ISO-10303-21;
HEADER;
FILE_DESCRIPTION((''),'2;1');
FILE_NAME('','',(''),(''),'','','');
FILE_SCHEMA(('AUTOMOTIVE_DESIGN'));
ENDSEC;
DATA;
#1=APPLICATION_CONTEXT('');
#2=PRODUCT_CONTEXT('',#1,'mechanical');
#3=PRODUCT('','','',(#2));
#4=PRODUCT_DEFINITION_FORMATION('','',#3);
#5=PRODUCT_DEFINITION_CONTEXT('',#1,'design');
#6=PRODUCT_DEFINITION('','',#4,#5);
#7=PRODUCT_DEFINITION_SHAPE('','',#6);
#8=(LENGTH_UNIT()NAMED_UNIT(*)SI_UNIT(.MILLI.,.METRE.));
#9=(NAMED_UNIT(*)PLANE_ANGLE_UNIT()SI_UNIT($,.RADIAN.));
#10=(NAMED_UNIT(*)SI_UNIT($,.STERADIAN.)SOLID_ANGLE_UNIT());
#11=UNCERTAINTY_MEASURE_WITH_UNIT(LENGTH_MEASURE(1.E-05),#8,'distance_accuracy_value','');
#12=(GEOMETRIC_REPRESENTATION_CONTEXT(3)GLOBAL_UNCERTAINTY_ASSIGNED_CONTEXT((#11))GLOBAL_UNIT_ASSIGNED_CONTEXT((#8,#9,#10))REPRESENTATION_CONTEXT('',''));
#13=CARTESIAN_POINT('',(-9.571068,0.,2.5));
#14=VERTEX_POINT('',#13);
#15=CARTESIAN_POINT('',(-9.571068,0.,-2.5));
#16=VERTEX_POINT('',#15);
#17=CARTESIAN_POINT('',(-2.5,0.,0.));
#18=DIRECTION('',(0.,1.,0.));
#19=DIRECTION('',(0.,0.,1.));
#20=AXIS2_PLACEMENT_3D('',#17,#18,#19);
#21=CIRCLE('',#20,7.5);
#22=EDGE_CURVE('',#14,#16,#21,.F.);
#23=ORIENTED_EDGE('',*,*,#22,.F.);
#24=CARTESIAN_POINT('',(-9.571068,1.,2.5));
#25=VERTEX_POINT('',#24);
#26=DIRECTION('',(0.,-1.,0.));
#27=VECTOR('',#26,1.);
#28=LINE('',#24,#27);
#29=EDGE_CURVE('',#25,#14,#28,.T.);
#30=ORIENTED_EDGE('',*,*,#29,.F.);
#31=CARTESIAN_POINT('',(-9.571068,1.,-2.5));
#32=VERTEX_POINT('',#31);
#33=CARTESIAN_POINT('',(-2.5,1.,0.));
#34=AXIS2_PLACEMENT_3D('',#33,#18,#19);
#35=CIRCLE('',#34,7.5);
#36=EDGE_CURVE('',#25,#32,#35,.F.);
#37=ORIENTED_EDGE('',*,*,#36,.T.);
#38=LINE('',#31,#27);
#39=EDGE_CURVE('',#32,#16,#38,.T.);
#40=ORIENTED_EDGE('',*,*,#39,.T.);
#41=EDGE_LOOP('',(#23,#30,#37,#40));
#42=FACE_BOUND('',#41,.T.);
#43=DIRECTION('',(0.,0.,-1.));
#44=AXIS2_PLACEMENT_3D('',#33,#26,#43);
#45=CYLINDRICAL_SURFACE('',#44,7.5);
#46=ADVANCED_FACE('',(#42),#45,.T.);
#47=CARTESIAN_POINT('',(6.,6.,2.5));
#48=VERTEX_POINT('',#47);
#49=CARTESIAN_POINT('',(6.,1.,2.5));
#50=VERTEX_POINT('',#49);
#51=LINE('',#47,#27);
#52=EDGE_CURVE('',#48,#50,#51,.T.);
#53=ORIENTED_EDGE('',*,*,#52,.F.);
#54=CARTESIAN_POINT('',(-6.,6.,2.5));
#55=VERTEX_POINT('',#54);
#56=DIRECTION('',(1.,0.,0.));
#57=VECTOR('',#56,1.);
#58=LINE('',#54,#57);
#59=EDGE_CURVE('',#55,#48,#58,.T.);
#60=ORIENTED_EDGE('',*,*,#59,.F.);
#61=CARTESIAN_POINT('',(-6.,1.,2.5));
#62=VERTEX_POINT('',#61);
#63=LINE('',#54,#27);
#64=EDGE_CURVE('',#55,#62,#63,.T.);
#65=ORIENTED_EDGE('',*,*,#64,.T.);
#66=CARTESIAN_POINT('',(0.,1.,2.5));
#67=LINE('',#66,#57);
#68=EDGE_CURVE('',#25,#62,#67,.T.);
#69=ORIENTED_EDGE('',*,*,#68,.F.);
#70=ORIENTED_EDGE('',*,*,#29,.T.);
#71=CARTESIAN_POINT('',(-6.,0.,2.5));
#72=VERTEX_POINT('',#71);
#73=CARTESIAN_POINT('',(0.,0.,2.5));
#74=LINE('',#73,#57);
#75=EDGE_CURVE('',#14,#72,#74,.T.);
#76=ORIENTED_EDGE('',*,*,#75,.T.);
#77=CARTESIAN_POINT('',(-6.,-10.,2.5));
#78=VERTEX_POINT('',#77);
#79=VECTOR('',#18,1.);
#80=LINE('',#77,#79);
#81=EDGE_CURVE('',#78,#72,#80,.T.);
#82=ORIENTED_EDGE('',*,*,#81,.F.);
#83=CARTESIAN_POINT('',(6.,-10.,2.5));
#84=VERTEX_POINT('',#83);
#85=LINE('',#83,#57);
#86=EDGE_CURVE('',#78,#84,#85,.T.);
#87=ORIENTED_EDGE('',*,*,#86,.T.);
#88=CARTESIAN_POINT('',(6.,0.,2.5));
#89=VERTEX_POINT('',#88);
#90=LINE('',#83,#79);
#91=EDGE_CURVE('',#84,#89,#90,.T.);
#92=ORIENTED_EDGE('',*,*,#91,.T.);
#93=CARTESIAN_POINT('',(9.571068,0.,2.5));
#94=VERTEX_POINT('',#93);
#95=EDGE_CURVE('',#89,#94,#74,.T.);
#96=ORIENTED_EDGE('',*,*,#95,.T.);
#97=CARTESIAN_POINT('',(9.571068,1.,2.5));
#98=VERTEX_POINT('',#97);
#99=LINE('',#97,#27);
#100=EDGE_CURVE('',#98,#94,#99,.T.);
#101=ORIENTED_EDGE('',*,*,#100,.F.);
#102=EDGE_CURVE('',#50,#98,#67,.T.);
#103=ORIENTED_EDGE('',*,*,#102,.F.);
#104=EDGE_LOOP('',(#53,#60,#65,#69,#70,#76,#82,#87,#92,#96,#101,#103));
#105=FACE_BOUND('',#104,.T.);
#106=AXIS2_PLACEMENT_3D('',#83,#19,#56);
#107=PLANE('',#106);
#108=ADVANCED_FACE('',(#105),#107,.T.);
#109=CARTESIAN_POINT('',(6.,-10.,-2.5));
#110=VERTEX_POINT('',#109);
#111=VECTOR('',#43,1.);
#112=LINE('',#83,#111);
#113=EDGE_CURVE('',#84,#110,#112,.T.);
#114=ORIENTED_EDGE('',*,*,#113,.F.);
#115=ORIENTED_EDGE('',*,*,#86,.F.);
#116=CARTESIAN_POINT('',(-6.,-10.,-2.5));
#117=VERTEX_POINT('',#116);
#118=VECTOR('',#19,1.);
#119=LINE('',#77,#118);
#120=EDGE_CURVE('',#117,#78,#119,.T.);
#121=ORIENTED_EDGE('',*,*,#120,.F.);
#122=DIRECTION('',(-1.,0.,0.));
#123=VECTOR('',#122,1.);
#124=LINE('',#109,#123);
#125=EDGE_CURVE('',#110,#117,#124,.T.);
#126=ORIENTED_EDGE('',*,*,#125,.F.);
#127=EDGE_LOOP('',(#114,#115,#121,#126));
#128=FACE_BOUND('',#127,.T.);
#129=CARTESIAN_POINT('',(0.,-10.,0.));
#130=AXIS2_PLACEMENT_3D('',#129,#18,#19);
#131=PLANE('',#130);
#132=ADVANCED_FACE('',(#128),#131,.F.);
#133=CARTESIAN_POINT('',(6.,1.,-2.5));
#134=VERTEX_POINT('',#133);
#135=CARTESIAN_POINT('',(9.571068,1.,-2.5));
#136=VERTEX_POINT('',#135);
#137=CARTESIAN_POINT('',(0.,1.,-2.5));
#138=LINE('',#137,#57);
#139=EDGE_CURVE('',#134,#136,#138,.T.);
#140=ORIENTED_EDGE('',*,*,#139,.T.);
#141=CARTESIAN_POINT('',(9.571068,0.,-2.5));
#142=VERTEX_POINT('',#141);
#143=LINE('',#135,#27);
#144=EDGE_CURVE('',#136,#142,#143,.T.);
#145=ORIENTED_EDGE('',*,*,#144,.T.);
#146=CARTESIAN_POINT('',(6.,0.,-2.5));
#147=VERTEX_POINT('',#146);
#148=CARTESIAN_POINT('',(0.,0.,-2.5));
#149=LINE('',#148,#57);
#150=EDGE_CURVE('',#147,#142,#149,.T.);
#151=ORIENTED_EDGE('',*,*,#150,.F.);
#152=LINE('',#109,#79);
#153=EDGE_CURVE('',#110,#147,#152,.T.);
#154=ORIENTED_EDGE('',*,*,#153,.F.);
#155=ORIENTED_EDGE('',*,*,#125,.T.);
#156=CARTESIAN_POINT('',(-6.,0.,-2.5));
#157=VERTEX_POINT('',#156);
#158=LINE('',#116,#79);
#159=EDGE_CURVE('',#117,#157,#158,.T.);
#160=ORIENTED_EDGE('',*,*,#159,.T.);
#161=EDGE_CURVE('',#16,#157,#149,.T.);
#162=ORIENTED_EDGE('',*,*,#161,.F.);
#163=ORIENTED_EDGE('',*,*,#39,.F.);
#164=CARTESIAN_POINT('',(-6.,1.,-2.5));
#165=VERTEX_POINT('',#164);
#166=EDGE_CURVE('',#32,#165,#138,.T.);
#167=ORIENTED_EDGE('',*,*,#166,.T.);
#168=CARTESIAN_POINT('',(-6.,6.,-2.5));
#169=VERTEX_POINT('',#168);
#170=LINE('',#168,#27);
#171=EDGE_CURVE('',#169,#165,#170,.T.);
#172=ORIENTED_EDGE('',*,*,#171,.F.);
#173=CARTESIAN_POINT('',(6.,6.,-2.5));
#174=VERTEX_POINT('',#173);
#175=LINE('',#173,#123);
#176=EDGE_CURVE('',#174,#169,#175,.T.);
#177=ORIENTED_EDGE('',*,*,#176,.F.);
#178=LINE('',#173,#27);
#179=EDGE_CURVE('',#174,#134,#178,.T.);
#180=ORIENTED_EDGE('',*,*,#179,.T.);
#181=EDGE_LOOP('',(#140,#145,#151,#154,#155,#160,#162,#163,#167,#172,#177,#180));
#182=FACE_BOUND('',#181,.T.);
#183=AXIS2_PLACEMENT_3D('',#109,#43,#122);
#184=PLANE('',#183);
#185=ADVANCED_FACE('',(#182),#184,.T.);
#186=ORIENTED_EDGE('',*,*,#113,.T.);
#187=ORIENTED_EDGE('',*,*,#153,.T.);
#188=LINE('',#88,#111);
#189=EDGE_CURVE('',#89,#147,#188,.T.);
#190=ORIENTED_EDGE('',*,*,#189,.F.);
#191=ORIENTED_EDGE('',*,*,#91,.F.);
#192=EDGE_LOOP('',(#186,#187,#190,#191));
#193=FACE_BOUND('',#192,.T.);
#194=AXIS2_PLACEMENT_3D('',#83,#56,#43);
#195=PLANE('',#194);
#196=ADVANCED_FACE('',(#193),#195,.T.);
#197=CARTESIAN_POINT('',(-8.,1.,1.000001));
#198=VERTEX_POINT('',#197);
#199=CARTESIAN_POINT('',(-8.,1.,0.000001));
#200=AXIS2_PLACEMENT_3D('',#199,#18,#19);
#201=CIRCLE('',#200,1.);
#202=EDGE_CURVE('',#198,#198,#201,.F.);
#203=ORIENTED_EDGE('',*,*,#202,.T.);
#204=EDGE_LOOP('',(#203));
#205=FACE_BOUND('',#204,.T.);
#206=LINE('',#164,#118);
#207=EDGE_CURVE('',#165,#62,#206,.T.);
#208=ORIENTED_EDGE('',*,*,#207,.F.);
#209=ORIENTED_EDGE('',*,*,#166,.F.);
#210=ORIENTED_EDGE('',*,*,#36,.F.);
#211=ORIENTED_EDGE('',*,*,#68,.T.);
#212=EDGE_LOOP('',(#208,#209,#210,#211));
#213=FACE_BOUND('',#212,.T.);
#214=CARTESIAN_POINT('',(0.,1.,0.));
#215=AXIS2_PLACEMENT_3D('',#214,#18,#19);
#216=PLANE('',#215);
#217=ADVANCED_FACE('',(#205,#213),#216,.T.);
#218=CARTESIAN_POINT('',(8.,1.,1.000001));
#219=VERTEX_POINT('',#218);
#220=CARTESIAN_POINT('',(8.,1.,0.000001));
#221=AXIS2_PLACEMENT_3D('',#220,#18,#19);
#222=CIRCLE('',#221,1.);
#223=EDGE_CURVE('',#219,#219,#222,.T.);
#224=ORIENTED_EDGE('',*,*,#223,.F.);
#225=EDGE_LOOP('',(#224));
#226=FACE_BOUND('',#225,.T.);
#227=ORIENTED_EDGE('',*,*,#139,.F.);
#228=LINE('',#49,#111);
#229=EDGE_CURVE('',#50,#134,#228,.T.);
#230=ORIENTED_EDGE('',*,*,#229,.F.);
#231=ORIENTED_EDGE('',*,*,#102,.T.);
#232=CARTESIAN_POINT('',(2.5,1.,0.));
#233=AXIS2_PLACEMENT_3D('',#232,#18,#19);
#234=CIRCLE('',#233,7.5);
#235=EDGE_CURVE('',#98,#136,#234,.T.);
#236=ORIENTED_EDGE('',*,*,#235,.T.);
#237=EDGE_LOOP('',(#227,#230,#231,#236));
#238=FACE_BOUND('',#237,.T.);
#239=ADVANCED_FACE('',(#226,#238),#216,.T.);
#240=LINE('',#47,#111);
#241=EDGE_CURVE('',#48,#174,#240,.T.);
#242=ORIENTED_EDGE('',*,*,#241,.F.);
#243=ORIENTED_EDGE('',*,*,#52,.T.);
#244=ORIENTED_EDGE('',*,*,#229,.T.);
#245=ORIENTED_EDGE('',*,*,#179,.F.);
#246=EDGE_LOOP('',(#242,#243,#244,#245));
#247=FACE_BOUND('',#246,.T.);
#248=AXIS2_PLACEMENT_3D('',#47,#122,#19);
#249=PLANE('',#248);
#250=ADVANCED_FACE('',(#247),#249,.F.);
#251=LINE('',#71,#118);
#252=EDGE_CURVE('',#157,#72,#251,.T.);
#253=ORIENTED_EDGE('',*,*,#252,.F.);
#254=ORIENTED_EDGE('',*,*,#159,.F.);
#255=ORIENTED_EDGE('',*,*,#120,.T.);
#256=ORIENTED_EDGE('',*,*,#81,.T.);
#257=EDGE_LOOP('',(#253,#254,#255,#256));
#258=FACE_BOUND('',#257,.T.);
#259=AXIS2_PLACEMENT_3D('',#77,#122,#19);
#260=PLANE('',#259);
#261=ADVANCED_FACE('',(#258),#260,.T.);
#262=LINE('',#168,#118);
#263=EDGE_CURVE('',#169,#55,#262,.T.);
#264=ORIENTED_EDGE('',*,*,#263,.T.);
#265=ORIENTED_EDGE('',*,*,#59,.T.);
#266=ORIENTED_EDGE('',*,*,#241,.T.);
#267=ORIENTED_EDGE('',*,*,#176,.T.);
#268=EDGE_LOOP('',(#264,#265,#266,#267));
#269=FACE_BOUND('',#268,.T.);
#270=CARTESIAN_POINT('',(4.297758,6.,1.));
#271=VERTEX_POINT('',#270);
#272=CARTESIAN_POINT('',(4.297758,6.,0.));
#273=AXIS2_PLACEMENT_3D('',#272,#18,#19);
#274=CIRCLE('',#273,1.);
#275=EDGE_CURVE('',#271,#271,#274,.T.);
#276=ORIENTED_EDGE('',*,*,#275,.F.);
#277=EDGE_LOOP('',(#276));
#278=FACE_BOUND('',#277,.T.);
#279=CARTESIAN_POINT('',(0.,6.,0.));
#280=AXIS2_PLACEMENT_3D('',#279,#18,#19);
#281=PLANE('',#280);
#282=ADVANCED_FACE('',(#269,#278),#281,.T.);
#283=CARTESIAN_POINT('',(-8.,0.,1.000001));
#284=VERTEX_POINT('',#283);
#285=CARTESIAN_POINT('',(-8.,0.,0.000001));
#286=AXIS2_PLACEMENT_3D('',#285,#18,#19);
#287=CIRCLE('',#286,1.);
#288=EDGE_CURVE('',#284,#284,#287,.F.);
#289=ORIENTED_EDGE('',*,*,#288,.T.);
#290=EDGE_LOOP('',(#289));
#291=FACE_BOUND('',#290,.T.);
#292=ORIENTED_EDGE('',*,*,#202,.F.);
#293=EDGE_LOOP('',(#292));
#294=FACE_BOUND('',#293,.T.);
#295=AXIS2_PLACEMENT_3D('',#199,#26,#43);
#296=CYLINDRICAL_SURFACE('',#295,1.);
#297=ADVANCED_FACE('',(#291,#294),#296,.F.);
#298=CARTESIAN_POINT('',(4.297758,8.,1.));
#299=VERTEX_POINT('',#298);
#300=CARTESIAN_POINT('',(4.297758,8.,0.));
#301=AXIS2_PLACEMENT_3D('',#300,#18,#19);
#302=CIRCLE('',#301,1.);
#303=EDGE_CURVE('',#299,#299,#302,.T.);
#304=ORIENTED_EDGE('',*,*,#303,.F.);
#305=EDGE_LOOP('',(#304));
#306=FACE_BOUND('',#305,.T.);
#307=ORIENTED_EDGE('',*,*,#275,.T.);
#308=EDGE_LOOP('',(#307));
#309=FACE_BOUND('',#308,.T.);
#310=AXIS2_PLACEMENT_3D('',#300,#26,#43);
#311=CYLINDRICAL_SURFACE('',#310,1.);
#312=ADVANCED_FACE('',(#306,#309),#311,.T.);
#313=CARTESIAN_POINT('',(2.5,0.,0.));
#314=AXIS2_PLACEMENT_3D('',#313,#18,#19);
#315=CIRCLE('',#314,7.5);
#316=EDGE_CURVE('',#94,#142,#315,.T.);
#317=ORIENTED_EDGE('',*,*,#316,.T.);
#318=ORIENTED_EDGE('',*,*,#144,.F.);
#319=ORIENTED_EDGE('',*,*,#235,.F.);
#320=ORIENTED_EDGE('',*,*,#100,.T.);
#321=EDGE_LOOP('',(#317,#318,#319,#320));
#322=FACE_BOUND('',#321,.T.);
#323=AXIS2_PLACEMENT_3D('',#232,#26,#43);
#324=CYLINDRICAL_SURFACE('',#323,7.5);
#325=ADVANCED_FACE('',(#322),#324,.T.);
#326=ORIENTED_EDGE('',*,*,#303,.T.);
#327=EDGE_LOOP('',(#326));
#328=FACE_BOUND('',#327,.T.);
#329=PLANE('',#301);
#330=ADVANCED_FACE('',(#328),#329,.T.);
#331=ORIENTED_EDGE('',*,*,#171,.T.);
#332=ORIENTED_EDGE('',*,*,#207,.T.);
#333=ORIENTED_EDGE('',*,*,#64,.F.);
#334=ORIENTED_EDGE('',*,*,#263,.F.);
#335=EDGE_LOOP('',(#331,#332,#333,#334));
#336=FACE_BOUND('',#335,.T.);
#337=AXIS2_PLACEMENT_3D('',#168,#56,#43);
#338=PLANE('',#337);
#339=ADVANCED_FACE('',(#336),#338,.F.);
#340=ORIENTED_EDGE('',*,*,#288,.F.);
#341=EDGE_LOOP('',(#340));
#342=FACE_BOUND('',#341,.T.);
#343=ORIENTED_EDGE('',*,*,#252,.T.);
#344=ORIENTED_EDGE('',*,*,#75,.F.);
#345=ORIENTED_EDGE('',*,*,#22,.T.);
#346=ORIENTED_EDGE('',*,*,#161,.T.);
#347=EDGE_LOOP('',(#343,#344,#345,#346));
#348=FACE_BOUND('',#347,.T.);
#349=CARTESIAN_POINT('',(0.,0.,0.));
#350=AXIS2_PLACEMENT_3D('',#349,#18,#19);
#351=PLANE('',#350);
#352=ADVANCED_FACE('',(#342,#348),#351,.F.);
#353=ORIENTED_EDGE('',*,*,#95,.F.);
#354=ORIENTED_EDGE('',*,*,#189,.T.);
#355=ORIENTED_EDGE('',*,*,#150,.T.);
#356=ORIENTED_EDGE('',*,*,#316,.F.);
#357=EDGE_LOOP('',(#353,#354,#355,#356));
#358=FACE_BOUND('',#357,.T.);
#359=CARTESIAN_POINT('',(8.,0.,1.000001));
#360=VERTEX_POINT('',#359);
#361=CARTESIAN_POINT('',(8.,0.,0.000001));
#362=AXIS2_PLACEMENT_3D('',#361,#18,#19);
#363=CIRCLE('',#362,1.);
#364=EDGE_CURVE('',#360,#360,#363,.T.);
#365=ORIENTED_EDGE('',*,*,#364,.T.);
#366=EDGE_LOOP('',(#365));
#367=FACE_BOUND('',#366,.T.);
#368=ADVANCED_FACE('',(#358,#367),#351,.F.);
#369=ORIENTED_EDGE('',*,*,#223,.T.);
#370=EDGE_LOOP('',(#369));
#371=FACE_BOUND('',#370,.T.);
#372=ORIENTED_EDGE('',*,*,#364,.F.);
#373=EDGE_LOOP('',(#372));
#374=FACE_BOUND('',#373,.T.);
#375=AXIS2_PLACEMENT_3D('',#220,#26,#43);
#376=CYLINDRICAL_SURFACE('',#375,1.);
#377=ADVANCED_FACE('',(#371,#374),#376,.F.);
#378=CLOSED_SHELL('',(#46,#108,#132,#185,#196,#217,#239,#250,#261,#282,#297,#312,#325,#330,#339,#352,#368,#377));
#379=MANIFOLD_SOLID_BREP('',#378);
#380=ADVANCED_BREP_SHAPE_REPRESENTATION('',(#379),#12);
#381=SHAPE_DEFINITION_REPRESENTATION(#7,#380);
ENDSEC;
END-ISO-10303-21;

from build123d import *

# Parameters (mm, degrees)
SKETCH1_W           = 12
SKETCH1_H           = 5
BOSS_EXTRUDE1_DEPTH = 10
SKETCH2_R           = 1
SKETCH2_W           = 12
SKETCH2_H           = 5
BOSS_EXTRUDE2_DEPTH = 1
SKETCH3_W           = 12
SKETCH3_H           = 5
BOSS_EXTRUDE3_DEPTH = 5
SKETCH4_R           = 1
BOSS_EXTRUDE4_DEPTH = 2


with BuildPart() as part:
    # Sketch1 → Boss-Extrude1 (new body)
    with BuildSketch(Plane(origin=(0, 0, 0), x_dir=(1, 0, 0), z_dir=(0, 1, 0))):
        Rectangle(SKETCH1_W, SKETCH1_H)
    extrude(amount=-BOSS_EXTRUDE1_DEPTH)

    # Sketch2 → Boss-Extrude2 (add)
    with BuildSketch(Plane(origin=(0, 0, 0), x_dir=(1, 0, 0), z_dir=(0, 1, 0))):
        with BuildLine():
            Line((6, -2.5), (9.571067871, -2.5))
            ThreePointArc((9.571067871, -2.5), (10, 1e-08), (9.571067753, 2.5))
            Line((9.571067753, 2.5), (6, 2.5))
            Line((6, 2.5), (6, -2.5))
        make_face()
        with Locations((8, -5.35e-07)):
            Circle(SKETCH2_R, mode=Mode.SUBTRACT)
        Rectangle(SKETCH2_W, SKETCH2_H)
        with BuildLine():
            ThreePointArc((-9.571067871, -2.5), (-10, 1e-08), (-9.571067753, 2.5))
            Line((-9.571067753, 2.5), (-6, 2.5))
            Line((-6, 2.5), (-6, -2.5))
            Line((-6, -2.5), (-9.571067871, -2.5))
        make_face()
        with Locations((-8, -5.35e-07)):
            Circle(SKETCH2_R, mode=Mode.SUBTRACT)
    extrude(amount=BOSS_EXTRUDE2_DEPTH)

    # Sketch3 → Boss-Extrude3 (add)
    with BuildSketch(Plane(origin=(0, 1, 0), x_dir=(1, 0, 0), z_dir=(0, 1, 0))):
        Rectangle(SKETCH3_W, SKETCH3_H)
    extrude(amount=BOSS_EXTRUDE3_DEPTH)

    # Sketch4 → Boss-Extrude4 (add)
    with BuildSketch(Plane(origin=(0, 6, 0), x_dir=(1, 0, 0), z_dir=(0, 1, 0))):
        with Locations((4.297757617, 0)):
            Circle(SKETCH4_R)
    extrude(amount=BOSS_EXTRUDE4_DEPTH)


solid = part.part
